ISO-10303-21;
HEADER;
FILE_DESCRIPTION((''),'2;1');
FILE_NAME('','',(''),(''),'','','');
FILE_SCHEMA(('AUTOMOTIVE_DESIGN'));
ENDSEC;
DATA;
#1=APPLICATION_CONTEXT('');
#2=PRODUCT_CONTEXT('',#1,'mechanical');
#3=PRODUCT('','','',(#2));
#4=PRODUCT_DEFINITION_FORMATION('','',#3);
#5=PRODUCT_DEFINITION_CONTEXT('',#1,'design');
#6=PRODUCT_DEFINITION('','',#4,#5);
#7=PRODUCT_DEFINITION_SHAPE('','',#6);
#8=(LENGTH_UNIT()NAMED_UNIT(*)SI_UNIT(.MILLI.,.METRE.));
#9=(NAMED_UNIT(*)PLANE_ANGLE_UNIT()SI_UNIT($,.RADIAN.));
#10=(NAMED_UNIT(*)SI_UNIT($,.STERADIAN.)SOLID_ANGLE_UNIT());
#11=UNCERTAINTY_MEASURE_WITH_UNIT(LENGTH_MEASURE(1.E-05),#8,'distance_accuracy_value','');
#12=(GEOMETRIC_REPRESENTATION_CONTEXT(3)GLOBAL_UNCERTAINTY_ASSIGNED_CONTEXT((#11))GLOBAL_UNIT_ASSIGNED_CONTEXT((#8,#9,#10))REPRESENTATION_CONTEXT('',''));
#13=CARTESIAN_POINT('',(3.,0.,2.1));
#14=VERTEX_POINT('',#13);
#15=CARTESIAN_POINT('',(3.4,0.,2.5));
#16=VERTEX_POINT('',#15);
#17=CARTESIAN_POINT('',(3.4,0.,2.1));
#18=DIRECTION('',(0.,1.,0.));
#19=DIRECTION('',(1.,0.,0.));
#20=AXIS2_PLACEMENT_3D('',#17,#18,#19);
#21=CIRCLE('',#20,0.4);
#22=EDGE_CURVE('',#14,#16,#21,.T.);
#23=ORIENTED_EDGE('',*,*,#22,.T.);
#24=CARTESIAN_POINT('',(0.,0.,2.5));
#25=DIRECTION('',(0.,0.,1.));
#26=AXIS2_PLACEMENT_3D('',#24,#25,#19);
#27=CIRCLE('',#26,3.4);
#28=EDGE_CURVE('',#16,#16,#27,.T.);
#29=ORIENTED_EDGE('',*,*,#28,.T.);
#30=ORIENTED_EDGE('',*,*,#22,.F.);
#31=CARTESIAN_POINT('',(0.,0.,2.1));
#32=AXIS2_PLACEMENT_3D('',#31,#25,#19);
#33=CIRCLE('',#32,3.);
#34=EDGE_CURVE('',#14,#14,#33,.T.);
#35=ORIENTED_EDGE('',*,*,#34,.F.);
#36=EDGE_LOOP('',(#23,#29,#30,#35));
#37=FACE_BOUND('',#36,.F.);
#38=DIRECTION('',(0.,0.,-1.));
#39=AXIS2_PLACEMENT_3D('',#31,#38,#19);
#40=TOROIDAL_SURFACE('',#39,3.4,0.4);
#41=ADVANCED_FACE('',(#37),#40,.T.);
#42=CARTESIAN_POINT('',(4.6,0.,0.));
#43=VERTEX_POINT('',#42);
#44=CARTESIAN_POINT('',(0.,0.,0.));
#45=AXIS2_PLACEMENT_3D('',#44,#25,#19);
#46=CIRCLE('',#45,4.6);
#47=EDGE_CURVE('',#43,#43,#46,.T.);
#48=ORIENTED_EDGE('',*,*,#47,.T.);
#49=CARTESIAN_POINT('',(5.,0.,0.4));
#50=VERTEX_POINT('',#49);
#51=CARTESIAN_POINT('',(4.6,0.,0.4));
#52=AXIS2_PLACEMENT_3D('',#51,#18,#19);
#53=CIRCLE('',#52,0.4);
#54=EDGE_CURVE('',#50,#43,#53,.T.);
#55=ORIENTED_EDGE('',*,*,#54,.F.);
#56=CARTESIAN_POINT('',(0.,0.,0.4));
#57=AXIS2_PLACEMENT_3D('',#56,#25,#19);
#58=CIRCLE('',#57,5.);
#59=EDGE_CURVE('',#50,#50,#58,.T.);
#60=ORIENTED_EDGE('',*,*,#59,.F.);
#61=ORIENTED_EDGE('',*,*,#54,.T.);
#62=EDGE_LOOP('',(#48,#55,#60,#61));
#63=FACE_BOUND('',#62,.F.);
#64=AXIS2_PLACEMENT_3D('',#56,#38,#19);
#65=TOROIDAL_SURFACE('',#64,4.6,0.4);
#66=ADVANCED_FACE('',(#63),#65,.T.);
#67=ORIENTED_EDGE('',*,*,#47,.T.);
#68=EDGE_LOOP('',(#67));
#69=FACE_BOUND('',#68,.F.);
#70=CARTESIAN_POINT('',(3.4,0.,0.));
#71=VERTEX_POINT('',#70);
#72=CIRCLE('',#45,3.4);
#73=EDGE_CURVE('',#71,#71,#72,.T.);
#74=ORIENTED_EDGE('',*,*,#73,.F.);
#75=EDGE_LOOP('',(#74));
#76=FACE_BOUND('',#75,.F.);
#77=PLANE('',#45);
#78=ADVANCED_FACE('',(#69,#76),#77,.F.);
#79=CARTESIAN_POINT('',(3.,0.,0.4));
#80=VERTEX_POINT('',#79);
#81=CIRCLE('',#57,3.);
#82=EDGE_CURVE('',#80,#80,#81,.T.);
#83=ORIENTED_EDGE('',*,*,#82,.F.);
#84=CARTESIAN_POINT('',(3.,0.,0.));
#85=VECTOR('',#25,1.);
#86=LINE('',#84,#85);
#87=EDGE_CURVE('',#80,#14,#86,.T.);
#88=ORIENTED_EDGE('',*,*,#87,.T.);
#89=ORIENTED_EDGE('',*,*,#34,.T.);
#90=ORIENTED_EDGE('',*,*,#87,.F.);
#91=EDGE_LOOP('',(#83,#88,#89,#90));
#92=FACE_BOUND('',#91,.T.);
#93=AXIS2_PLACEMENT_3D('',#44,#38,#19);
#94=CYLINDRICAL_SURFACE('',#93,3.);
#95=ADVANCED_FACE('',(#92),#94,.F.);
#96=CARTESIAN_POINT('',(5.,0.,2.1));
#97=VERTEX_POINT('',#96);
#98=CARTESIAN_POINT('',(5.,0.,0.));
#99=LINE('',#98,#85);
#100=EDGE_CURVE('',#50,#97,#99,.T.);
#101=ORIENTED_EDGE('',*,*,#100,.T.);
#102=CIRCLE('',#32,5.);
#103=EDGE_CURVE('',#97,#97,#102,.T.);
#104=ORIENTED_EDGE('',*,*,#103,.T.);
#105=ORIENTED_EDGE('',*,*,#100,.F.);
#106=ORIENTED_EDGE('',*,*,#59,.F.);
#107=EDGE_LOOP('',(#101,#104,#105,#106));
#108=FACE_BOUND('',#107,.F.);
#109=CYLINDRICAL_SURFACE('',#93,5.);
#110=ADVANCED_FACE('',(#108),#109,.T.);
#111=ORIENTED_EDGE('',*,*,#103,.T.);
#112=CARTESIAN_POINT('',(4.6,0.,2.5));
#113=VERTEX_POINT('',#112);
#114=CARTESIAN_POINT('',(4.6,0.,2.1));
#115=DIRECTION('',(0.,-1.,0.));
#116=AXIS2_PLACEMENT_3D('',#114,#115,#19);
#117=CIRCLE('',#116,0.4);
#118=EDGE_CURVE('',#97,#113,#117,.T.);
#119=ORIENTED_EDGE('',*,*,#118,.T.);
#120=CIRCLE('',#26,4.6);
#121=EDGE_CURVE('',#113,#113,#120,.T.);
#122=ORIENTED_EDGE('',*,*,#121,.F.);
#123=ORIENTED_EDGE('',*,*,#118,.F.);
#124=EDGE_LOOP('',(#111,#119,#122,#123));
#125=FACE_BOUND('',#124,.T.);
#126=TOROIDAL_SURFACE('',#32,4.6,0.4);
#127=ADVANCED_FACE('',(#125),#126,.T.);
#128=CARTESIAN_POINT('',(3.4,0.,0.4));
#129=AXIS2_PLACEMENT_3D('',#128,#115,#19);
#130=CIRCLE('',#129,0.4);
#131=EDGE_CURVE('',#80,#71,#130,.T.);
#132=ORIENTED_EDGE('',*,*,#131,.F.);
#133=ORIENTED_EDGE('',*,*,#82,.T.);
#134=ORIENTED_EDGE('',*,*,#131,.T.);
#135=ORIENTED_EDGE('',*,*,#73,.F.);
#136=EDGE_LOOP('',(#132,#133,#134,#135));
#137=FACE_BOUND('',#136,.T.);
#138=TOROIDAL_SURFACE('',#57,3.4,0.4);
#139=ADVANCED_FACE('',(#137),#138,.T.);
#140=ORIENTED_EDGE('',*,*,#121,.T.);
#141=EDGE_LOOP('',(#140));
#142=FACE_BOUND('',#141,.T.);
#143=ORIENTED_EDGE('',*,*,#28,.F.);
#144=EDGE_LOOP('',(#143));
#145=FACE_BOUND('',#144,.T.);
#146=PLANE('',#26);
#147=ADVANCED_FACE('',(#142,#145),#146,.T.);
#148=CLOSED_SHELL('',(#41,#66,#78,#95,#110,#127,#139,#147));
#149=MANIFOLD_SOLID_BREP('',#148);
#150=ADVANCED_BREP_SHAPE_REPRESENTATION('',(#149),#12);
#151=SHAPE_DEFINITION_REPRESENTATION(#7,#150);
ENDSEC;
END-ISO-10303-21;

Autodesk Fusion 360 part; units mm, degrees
sketch "Sketch1" plane through (0, 0, 0) normal (0, 0, 1) x (1, 0, 0)
  circle A0 centre (0, 0) radius 3
  circle A1 centre (0, 0) radius 5
  dimension "d1" = 10
  dimension "d2" = 6
extrude "Extrude1" add sketch "Sketch1" along normal blind 2.5
fillet "Fillet1" radius 0.4 4 edges at (-2.797, 1.0848, 2.5) (-2.797, 1.0848, 0) (-4.6616, -1.8081, 2.5) (-4.6616, -1.8081, 0)
